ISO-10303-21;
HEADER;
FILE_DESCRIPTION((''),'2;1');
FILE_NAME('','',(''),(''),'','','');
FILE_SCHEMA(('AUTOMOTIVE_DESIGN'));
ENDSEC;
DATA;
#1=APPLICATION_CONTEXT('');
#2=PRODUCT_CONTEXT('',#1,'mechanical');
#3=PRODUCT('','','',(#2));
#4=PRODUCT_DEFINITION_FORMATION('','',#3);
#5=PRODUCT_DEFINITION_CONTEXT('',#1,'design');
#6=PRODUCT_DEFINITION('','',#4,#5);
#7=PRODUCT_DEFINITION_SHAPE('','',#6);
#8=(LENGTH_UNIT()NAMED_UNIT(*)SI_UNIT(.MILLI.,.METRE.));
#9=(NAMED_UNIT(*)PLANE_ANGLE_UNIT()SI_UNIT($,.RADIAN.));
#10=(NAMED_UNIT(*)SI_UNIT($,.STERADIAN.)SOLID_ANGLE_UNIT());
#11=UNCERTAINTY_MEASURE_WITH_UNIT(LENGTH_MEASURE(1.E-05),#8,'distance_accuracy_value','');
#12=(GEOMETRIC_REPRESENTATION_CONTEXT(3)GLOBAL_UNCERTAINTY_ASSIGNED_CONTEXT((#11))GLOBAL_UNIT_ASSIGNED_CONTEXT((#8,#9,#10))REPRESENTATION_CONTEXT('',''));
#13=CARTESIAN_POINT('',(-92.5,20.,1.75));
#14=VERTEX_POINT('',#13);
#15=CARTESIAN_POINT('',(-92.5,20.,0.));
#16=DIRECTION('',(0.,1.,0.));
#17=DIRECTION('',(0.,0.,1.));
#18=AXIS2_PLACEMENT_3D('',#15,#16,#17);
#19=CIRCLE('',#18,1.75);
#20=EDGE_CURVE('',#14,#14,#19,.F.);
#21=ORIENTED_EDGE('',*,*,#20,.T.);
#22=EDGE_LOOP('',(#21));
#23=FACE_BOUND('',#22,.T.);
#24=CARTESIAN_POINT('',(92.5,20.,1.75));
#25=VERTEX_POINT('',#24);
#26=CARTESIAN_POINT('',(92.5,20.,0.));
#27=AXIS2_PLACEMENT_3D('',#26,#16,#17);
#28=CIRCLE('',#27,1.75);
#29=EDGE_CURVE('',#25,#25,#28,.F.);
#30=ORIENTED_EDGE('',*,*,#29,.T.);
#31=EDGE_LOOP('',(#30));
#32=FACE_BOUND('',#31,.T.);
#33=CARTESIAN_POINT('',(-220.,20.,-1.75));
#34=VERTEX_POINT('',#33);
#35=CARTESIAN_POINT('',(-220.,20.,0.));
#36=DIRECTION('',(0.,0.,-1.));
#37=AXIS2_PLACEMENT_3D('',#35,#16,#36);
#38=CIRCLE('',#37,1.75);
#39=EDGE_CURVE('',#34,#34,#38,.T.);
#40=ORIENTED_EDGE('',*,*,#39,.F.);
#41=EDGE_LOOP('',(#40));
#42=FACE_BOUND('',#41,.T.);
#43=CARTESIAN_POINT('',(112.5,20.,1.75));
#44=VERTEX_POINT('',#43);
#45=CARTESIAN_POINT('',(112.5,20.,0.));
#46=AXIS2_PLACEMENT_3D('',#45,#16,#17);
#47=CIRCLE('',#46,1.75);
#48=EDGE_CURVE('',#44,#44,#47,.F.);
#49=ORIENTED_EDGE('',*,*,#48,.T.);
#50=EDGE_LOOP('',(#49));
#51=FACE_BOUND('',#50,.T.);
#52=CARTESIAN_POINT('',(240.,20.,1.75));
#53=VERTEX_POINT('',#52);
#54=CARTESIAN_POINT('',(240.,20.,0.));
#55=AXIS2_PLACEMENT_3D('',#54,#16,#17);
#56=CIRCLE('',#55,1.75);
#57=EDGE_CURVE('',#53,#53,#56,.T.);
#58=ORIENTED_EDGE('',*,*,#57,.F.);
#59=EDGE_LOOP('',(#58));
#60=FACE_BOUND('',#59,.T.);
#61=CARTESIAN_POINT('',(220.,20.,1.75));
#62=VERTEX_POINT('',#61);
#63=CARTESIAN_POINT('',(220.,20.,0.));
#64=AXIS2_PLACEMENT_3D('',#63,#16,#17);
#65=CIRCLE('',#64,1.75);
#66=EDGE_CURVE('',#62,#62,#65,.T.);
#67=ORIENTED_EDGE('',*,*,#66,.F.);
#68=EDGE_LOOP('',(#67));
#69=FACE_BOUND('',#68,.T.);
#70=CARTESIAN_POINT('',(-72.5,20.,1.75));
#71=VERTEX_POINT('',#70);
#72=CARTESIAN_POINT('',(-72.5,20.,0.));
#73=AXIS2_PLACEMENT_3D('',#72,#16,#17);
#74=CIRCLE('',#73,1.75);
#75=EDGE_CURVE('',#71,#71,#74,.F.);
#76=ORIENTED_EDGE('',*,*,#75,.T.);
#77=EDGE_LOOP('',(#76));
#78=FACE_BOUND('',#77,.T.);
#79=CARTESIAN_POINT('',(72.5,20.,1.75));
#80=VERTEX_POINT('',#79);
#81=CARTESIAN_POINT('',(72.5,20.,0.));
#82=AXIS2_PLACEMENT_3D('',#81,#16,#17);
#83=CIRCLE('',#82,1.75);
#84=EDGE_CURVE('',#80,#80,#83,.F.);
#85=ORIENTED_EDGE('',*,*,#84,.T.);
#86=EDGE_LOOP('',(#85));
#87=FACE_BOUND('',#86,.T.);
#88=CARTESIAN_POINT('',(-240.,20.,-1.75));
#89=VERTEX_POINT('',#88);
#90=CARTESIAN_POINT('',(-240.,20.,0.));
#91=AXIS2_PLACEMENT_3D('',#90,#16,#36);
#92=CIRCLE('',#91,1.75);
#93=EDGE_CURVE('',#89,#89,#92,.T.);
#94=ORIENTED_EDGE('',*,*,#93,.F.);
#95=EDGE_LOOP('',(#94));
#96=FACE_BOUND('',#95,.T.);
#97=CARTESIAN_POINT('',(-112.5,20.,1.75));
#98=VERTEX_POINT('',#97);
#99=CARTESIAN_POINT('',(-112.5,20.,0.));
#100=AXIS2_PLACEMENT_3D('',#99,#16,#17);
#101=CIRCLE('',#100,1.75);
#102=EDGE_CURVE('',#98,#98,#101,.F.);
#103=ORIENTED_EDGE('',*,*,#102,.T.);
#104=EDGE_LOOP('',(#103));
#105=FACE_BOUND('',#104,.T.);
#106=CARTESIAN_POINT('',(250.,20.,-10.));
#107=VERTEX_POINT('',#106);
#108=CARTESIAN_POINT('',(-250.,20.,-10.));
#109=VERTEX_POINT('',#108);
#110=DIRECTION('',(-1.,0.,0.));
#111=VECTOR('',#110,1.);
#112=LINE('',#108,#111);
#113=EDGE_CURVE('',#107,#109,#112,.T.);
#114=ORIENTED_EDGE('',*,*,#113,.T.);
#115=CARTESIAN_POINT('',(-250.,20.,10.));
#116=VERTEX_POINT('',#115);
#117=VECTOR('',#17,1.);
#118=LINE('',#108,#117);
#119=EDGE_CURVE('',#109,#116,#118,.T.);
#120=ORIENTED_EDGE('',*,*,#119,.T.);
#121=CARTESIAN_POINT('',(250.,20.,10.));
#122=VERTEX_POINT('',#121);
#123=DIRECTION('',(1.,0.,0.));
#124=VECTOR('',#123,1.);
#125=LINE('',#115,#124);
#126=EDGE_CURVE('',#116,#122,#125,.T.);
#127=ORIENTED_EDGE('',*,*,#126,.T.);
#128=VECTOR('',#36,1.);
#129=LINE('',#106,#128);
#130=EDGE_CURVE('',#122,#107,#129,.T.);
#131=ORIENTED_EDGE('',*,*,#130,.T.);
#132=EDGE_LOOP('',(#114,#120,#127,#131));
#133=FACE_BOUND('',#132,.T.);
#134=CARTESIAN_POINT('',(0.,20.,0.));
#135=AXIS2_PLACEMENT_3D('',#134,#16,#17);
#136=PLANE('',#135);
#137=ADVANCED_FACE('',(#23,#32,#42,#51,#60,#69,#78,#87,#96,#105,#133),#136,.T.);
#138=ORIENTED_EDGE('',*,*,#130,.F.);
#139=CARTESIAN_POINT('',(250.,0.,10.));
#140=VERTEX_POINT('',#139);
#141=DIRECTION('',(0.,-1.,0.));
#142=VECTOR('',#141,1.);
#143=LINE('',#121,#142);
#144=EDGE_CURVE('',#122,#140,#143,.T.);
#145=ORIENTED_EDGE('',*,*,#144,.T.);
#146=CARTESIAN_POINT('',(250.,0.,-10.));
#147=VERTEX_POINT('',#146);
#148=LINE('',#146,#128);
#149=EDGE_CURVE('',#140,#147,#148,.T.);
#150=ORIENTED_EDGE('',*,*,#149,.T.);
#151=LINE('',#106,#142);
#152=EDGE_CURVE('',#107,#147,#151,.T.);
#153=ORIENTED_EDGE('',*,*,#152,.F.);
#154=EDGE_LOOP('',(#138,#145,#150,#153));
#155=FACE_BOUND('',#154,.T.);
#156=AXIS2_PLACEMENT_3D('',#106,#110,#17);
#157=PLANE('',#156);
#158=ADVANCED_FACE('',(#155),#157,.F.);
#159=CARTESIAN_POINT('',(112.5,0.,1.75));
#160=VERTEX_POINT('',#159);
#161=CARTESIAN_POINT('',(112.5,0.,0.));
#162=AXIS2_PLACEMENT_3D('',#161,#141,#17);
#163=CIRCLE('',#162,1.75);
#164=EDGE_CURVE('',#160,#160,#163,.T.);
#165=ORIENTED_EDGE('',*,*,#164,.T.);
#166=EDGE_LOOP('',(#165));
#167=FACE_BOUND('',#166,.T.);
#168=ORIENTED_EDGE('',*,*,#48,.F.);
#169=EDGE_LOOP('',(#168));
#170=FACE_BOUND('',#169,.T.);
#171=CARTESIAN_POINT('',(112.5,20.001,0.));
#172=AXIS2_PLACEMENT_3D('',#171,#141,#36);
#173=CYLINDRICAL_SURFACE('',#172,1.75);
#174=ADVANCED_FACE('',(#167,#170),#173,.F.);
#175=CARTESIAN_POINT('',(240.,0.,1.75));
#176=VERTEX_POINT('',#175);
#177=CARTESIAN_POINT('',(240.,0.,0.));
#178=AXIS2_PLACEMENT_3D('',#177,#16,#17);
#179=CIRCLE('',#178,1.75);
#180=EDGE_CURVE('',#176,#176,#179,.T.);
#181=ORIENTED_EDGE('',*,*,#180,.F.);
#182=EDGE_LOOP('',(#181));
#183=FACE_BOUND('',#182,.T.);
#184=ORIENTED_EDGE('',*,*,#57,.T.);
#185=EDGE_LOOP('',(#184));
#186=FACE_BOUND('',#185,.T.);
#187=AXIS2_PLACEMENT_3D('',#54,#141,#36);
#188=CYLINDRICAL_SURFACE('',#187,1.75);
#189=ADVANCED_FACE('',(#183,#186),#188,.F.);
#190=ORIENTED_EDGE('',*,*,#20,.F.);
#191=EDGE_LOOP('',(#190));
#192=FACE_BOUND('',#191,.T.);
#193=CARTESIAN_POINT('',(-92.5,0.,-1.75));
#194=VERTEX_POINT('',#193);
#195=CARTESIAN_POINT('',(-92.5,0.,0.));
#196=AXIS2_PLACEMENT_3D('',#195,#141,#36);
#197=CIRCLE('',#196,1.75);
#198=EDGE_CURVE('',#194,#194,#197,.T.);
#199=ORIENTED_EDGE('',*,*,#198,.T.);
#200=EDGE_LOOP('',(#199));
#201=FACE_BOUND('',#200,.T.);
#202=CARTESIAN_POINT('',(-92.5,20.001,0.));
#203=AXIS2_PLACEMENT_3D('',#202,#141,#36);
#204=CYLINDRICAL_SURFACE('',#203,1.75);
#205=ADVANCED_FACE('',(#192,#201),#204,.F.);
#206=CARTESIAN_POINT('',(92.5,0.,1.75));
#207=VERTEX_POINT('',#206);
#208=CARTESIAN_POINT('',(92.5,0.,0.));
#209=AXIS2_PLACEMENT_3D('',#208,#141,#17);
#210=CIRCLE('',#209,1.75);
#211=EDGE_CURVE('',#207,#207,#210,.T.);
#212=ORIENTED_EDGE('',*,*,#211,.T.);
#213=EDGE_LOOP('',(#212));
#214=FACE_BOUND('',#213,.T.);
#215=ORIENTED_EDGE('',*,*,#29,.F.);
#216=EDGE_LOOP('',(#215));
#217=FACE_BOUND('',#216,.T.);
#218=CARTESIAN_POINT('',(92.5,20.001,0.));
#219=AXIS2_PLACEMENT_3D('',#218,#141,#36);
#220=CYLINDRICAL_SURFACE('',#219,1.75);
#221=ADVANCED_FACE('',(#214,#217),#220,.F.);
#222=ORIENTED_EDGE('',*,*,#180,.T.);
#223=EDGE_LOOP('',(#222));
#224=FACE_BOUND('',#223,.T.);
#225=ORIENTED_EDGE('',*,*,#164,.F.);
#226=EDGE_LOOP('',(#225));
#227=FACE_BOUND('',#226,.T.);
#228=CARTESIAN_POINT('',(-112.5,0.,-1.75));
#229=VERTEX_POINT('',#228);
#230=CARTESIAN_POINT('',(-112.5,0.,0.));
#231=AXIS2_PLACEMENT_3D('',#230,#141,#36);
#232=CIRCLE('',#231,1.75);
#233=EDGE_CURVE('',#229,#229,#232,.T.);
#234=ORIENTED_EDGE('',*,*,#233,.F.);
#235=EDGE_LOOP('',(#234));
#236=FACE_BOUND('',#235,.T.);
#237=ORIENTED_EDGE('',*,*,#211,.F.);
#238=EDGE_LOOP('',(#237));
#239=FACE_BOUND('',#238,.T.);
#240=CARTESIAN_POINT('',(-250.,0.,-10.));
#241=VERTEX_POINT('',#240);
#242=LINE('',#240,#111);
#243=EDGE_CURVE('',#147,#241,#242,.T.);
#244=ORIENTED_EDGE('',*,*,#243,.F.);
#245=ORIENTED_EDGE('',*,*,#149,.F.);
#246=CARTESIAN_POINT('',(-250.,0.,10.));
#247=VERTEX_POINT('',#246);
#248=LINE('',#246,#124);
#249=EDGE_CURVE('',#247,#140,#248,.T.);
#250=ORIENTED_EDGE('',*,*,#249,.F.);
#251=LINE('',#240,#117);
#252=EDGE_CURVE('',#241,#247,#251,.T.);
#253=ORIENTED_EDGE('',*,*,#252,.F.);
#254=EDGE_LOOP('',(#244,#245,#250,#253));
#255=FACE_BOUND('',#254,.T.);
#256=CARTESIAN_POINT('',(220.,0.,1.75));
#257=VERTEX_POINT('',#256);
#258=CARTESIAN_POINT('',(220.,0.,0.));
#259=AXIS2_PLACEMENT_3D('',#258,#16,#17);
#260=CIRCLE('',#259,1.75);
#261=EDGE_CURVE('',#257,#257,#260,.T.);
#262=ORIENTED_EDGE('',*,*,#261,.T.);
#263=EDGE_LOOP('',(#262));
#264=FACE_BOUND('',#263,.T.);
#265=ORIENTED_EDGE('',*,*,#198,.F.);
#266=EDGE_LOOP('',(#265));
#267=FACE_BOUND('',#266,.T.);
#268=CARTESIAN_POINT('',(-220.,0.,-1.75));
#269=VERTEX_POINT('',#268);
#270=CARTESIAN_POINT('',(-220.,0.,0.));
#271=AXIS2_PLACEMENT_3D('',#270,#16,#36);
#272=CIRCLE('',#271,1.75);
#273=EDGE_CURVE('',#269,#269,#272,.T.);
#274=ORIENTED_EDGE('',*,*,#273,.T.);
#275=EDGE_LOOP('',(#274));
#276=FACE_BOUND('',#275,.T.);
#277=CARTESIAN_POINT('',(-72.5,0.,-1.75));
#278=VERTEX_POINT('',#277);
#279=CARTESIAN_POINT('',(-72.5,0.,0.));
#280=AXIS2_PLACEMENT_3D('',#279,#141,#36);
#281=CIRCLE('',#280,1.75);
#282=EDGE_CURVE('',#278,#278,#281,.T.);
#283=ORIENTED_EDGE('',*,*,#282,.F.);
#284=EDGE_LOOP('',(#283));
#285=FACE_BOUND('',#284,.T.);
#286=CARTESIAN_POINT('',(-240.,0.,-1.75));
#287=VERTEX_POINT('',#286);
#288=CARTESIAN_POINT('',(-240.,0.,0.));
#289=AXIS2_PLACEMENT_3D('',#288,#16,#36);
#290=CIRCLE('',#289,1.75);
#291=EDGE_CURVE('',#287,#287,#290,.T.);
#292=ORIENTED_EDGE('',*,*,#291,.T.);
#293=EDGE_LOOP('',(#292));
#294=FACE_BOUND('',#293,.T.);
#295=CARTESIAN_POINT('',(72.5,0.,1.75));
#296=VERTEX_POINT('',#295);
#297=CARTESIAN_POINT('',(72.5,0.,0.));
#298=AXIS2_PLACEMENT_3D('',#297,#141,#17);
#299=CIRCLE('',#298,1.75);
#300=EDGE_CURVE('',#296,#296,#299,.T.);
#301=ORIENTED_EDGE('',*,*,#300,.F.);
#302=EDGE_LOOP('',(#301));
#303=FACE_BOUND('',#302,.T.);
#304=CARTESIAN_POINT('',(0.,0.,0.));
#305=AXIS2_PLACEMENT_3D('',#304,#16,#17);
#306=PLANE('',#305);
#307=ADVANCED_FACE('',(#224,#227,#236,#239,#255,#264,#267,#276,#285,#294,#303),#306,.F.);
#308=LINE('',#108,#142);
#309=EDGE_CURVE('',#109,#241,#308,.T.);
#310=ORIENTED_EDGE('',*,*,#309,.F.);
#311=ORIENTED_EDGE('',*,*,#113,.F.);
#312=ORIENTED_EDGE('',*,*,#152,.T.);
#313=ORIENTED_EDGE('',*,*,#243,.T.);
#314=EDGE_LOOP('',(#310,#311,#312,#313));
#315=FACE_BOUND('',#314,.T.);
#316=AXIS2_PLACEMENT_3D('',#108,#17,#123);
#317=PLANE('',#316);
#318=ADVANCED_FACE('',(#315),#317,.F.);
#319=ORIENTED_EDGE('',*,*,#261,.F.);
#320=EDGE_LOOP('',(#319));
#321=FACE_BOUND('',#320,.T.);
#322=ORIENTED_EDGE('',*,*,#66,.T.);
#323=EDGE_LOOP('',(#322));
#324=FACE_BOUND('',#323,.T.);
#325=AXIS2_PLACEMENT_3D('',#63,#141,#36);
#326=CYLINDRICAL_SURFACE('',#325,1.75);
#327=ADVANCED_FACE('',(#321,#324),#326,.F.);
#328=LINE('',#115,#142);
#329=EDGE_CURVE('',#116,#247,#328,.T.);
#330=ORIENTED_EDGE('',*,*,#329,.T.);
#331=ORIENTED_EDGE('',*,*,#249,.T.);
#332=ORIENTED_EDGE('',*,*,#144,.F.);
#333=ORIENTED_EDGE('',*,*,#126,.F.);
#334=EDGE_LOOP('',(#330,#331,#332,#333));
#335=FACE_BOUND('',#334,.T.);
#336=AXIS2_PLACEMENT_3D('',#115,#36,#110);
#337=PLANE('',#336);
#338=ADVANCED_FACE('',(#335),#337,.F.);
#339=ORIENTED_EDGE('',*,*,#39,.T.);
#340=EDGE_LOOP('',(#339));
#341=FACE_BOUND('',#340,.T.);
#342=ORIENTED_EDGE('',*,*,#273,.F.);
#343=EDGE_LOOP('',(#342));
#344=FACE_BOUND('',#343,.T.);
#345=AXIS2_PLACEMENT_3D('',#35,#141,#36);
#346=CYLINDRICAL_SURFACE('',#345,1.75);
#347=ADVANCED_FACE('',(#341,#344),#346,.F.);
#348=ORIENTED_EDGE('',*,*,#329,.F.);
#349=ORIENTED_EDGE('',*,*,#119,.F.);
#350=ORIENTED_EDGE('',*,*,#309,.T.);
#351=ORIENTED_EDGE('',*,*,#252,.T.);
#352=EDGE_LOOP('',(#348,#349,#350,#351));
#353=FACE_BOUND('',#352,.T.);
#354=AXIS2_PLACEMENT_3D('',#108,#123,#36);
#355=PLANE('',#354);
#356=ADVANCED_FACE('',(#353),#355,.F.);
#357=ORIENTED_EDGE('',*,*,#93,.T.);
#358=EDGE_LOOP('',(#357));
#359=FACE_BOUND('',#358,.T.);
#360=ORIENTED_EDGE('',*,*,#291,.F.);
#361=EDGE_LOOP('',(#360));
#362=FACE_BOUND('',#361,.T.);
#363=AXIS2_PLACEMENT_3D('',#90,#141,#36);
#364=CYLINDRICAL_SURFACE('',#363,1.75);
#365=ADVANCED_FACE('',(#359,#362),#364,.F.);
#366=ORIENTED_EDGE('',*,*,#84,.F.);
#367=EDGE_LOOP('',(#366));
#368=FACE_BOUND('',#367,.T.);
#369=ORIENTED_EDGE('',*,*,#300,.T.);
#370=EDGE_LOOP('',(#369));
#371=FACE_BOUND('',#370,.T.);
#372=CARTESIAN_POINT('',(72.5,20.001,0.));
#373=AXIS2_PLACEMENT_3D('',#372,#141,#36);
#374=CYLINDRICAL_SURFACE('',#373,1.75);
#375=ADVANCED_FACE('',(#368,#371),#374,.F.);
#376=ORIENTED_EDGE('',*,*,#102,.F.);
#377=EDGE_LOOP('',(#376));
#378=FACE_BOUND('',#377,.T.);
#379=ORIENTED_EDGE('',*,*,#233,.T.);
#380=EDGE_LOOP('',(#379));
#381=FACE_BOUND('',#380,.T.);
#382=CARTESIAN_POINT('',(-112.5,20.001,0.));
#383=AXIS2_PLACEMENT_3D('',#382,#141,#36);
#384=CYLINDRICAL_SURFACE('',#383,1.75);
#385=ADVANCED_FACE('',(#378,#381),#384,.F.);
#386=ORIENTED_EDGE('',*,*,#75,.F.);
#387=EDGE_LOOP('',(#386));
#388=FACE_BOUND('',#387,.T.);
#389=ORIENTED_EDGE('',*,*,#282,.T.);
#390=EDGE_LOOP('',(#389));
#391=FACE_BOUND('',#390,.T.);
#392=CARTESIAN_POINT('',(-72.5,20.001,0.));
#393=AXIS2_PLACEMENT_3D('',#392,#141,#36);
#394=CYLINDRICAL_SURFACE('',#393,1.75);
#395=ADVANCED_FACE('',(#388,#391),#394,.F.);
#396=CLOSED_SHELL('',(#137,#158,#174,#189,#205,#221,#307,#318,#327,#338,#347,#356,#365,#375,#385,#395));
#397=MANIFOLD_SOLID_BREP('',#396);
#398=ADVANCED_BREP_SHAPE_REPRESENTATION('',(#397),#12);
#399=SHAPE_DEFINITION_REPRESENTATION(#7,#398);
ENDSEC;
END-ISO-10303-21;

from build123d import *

# Parameters (mm, degrees)
SKETCH_1_W          = 500
SKETCH_1_H          = 20
SKETCH_1_R          = 1.75
EXTRUDE_1_DEPTH     = 20
CUT_EXTRUDE_1_REACH = 252.998
SKETCH_2_R          = 1.75


with BuildPart() as part:
    # 草图1 → 凸台-拉伸1 (new body)
    with BuildSketch(Plane(origin=(0, 0, 0), x_dir=(1, 0, 0), z_dir=(0, 1, 0))):
        Rectangle(SKETCH_1_W, SKETCH_1_H)
        with Locations(Location((240, 0, 0), (0, 0, 270))):
            Circle(SKETCH_1_R, mode=Mode.SUBTRACT)
        with Locations(Location((220, 0, 0), (0, 0, 270))):
            Circle(SKETCH_1_R, mode=Mode.SUBTRACT)
        with Locations(Location((-240, 0, 0), (0, 0, 90))):
            Circle(SKETCH_1_R, mode=Mode.SUBTRACT)
        with Locations(Location((-220, 0, 0), (0, 0, 90))):
            Circle(SKETCH_1_R, mode=Mode.SUBTRACT)
    extrude(amount=EXTRUDE_1_DEPTH)

    # 草图2 → 切除-拉伸1 (cut, up to next)
    with BuildSketch(Plane.XZ, mode=Mode.PRIVATE) as cut_extrude_1_sk1:
        with Locations(Location((-92.5, 0, 0), (0, 0, 270))):
            Circle(SKETCH_2_R)
    cut_extrude_1_tool1 = extrude(cut_extrude_1_sk1.sketch, amount=-CUT_EXTRUDE_1_REACH, mode=Mode.PRIVATE) & part.part
    # 草图2 → 切除-拉伸1 (cut, up to next)
    with BuildSketch(Plane.XZ, mode=Mode.PRIVATE) as cut_extrude_1_sk2:
        with Locations(Location((-72.5, 0, 0), (0, 0, 270))):
            Circle(SKETCH_2_R)
    cut_extrude_1_tool2 = extrude(cut_extrude_1_sk2.sketch, amount=-CUT_EXTRUDE_1_REACH, mode=Mode.PRIVATE) & part.part
    # 草图2 → 切除-拉伸1 (cut, up to next)
    with BuildSketch(Plane.XZ, mode=Mode.PRIVATE) as cut_extrude_1_sk3:
        with Locations(Location((-112.5, 0, 0), (0, 0, 270))):
            Circle(SKETCH_2_R)
    cut_extrude_1_tool3 = extrude(cut_extrude_1_sk3.sketch, amount=-CUT_EXTRUDE_1_REACH, mode=Mode.PRIVATE) & part.part
    # 草图2 → 切除-拉伸1 (cut, up to next)
    with BuildSketch(Plane.XZ, mode=Mode.PRIVATE) as cut_extrude_1_sk4:
        with Locations(Location((112.5, 0, 0), (0, 0, 90))):
            Circle(SKETCH_2_R)
    cut_extrude_1_tool4 = extrude(cut_extrude_1_sk4.sketch, amount=-CUT_EXTRUDE_1_REACH, mode=Mode.PRIVATE) & part.part
    # 草图2 → 切除-拉伸1 (cut, up to next)
    with BuildSketch(Plane.XZ, mode=Mode.PRIVATE) as cut_extrude_1_sk5:
        with Locations(Location((92.5, 0, 0), (0, 0, 90))):
            Circle(SKETCH_2_R)
    cut_extrude_1_tool5 = extrude(cut_extrude_1_sk5.sketch, amount=-CUT_EXTRUDE_1_REACH, mode=Mode.PRIVATE) & part.part
    # 草图2 → 切除-拉伸1 (cut, up to next)
    with BuildSketch(Plane.XZ, mode=Mode.PRIVATE) as cut_extrude_1_sk6:
        with Locations(Location((72.5, 0, 0), (0, 0, 90))):
            Circle(SKETCH_2_R)
    cut_extrude_1_tool6 = extrude(cut_extrude_1_sk6.sketch, amount=-CUT_EXTRUDE_1_REACH, mode=Mode.PRIVATE) & part.part
    add(cut_extrude_1_tool1.solids().sort_by_distance((-92.5, 0, 0))[0], mode=Mode.SUBTRACT)
    add(cut_extrude_1_tool2.solids().sort_by_distance((-72.5, 0, 0))[0], mode=Mode.SUBTRACT)
    add(cut_extrude_1_tool3.solids().sort_by_distance((-112.5, 0, 0))[0], mode=Mode.SUBTRACT)
    add(cut_extrude_1_tool4.solids().sort_by_distance((112.5, 0, 0))[0], mode=Mode.SUBTRACT)
    add(cut_extrude_1_tool5.solids().sort_by_distance((92.5, 0, 0))[0], mode=Mode.SUBTRACT)
    add(cut_extrude_1_tool6.solids().sort_by_distance((72.5, 0, 0))[0], mode=Mode.SUBTRACT)


solid = part.part
